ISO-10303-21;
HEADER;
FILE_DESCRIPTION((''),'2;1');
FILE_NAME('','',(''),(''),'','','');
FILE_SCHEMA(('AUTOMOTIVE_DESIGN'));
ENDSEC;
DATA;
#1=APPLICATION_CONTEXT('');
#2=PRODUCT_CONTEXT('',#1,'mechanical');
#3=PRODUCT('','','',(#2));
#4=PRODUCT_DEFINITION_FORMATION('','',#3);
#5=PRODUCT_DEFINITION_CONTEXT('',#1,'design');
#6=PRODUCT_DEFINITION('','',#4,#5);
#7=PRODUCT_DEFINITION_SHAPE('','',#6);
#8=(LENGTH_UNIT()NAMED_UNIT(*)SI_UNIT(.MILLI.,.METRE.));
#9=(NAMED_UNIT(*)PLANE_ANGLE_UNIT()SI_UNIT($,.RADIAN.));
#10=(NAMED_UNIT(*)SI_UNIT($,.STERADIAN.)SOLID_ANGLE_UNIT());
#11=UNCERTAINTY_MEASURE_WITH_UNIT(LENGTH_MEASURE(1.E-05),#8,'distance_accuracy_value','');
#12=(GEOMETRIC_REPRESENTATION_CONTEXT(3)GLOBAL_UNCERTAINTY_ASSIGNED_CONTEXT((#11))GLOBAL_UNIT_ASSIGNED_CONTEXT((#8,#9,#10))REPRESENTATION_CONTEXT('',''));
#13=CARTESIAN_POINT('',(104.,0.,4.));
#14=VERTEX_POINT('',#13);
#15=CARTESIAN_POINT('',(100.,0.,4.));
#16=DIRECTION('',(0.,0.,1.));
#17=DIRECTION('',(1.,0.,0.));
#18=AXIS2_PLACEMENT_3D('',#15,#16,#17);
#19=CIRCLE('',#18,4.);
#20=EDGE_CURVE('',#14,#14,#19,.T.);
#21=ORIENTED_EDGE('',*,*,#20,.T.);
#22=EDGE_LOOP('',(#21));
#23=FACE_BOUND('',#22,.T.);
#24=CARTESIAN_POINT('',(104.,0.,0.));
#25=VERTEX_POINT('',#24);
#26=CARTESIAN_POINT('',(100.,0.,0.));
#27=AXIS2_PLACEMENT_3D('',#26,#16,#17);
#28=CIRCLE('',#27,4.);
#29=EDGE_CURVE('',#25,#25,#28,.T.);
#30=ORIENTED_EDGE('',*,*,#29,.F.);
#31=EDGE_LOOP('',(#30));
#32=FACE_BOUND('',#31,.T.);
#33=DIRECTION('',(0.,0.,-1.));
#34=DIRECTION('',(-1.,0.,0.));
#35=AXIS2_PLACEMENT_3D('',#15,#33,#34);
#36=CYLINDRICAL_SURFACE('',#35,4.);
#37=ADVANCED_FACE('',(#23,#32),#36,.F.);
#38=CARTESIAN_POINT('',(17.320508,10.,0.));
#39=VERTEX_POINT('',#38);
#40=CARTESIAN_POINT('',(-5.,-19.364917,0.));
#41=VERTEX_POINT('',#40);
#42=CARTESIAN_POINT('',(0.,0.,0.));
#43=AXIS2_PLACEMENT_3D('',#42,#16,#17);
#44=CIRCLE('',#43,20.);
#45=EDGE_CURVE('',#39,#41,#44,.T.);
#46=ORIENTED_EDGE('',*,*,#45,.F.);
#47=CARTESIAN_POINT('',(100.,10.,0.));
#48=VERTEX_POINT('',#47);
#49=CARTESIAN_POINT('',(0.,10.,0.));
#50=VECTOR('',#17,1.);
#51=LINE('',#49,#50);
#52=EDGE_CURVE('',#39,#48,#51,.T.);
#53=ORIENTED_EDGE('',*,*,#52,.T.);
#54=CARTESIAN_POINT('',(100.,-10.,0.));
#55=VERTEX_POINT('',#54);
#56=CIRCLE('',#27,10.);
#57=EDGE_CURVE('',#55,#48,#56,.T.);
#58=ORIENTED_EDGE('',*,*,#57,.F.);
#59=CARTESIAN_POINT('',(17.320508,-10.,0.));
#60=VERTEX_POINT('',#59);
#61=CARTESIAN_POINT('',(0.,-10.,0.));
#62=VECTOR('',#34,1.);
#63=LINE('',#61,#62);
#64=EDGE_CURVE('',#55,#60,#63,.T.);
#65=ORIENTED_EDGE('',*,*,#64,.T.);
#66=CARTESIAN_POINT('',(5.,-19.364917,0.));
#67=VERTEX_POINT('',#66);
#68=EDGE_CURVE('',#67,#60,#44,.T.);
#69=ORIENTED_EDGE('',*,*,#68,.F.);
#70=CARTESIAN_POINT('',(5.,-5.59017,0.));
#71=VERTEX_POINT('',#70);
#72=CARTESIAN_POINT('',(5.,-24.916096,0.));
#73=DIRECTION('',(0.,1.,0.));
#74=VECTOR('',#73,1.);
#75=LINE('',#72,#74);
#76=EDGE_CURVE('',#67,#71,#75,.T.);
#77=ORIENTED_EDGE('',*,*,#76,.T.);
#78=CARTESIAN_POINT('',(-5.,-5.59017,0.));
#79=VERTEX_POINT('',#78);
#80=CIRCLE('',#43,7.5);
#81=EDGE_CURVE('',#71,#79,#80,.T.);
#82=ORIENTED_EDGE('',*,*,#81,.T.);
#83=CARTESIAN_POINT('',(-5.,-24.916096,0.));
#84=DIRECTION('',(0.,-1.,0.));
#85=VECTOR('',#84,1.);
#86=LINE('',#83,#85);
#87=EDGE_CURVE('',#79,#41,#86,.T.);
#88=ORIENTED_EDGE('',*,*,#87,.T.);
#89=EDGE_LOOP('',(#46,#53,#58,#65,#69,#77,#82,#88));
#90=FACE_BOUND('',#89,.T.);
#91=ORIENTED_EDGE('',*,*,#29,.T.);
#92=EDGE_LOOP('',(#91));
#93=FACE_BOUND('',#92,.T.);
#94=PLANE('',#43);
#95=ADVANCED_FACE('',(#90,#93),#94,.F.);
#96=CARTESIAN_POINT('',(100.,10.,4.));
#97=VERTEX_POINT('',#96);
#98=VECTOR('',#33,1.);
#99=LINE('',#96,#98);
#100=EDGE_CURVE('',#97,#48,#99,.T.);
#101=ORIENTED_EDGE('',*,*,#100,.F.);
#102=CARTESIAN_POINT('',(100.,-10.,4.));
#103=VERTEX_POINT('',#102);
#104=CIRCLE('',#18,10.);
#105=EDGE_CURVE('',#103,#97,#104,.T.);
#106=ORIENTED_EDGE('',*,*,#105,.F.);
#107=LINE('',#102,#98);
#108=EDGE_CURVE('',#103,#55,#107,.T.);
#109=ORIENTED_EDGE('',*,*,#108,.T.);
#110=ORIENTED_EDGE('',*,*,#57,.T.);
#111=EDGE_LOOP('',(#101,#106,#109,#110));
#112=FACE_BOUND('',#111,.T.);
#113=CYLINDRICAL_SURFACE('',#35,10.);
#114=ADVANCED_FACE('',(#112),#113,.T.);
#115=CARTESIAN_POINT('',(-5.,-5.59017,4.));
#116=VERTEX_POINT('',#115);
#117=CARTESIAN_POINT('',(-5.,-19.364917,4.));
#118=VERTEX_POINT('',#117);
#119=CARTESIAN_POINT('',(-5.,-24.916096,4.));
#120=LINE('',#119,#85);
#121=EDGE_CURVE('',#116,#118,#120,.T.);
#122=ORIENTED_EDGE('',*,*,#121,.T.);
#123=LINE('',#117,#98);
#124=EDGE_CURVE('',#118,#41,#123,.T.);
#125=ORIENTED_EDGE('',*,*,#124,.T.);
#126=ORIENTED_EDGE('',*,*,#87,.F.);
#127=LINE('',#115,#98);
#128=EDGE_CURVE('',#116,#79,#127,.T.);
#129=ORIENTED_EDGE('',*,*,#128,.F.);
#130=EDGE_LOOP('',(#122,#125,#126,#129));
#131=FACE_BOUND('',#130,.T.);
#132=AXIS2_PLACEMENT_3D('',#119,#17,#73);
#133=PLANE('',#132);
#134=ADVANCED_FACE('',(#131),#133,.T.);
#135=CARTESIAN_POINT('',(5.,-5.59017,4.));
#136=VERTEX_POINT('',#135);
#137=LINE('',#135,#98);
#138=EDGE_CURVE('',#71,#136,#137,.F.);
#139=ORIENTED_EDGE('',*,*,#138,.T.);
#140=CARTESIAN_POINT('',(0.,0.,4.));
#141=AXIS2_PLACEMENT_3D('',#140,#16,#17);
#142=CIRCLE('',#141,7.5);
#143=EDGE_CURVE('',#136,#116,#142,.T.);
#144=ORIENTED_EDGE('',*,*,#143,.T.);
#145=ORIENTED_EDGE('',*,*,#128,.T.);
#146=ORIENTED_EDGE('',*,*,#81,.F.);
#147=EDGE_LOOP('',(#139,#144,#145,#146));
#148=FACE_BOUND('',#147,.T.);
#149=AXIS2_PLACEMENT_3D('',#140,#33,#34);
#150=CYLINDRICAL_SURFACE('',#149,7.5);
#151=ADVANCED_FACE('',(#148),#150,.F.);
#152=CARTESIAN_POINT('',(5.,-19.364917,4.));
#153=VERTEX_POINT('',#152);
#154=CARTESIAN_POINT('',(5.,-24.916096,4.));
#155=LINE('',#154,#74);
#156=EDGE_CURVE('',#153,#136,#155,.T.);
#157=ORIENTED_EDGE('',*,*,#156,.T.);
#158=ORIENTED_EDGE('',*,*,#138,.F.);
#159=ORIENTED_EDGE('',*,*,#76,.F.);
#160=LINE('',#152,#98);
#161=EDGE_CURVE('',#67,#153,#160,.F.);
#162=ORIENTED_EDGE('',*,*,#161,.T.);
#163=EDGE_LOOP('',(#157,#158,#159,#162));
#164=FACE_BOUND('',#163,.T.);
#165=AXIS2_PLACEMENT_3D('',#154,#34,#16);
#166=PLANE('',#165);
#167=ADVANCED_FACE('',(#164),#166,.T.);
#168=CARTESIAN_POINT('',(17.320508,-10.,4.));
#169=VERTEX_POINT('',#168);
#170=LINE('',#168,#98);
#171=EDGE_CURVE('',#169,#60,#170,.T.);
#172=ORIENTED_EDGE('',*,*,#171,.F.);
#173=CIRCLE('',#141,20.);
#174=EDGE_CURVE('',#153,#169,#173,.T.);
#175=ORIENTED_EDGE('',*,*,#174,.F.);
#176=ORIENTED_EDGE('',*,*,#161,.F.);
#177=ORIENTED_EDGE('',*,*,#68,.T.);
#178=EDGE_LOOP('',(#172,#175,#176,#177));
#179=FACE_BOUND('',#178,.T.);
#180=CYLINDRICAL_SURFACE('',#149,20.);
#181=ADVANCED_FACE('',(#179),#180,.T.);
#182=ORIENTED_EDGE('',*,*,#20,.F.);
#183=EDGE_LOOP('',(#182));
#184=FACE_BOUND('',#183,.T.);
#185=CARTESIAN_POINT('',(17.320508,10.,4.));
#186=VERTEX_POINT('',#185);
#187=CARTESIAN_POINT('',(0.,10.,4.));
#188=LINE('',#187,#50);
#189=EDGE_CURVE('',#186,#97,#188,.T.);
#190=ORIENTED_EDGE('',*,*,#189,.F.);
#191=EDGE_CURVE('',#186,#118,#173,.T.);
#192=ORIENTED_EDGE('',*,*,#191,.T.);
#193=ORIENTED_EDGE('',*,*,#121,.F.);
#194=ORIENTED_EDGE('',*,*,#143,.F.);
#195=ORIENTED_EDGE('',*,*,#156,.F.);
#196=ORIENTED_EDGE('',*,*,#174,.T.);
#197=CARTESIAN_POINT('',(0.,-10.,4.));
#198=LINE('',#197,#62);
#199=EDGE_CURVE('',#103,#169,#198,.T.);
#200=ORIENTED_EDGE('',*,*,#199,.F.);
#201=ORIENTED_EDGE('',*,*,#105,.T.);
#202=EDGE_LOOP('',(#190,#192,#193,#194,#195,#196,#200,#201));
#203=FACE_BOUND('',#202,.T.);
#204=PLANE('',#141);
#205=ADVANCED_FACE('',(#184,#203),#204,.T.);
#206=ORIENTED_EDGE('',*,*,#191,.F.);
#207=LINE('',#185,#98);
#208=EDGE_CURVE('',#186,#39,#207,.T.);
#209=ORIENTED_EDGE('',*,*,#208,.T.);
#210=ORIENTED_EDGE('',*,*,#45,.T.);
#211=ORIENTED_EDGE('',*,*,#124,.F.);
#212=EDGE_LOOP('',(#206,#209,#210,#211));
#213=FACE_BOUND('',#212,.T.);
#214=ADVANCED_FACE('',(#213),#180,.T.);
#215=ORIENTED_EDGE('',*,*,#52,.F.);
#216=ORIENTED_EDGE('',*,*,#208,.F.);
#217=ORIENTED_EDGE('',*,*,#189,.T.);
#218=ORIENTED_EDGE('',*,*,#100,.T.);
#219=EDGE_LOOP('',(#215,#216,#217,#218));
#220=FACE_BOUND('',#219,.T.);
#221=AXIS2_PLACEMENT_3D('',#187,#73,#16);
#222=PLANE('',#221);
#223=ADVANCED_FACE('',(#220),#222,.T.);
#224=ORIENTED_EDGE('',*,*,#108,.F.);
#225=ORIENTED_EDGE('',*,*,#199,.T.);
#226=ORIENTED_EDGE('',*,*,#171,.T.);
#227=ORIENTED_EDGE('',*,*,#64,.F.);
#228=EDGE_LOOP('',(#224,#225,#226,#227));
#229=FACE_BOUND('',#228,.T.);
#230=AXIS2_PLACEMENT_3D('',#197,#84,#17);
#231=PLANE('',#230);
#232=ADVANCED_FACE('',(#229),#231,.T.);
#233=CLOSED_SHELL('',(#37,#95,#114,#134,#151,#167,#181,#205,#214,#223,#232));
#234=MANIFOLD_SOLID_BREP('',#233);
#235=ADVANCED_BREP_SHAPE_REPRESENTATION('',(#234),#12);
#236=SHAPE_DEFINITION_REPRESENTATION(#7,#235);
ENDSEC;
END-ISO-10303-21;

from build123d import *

# Parameters (mm, degrees)
BOSS_EXTRUDE1_DEPTH = 4
SKETCH2_R           = 4
CUT_EXTRUDE1_DEPTH  = 4
SKETCH3_R           = 7.5
CUT_EXTRUDE2_DEPTH  = 4
SKETCH4_W           = 10
SKETCH4_H           = 21.533858591
CUT_EXTRUDE3_DEPTH  = 4


with BuildPart() as part:
    # Sketch1 → Boss-Extrude1 (new body)
    with BuildSketch(Plane.XY):
        with BuildLine():
            ThreePointArc((110, 0), (107.071067812, 7.071067812), (100, 10))
            Line((100, 10), (100, 0))
            Line((100, 0), (100, -10))
            ThreePointArc((100, -10), (107.071067812, -7.071067812), (110, 0))
        make_face()
        with BuildLine():
            Line((100, 0), (100, 10))
            ThreePointArc((100, 10), (90, 0), (100, -10))
            Line((100, -10), (100, 0))
        make_face()
        with BuildLine():
            Line((100, 10), (17.320508076, 10))
            ThreePointArc((17.320508076, 10), (19.318516526, 5.176380902), (20, 0))
            ThreePointArc((20, 0), (19.318516526, -5.176380902), (17.320508076, -10))
            Line((17.320508076, -10), (100, -10))
            ThreePointArc((100, -10), (90, 0), (100, 10))
        make_face()
        with BuildLine():
            Line((0, -10), (0, 0))
            Line((0, 0), (0, 10))
            Line((0, 10), (17.320508076, 10))
            ThreePointArc((17.320508076, 10), (-20, 0), (17.320508076, -10))
            Line((17.320508076, -10), (0, -10))
        make_face()
        with BuildLine():
            Line((0, 10), (0, 0))
            Line((0, 0), (0, -10))
            Line((0, -10), (17.320508076, -10))
            ThreePointArc((17.320508076, -10), (19.318516526, -5.176380902), (20, 0))
            ThreePointArc((20, 0), (19.318516526, 5.176380902), (17.320508076, 10))
            Line((17.320508076, 10), (0, 10))
        make_face()
    extrude(amount=BOSS_EXTRUDE1_DEPTH)

    # Sketch2 → Cut-Extrude1 (cut)
    with BuildSketch(Plane.XY):
        with Locations((100, 0)):
            Circle(SKETCH2_R)
    extrude(amount=CUT_EXTRUDE1_DEPTH, mode=Mode.SUBTRACT)

    # Sketch3 → Cut-Extrude2 (cut)
    with BuildSketch(Plane.XY):
        Circle(SKETCH3_R)
    extrude(amount=CUT_EXTRUDE2_DEPTH, mode=Mode.SUBTRACT)

    # Sketch4 → Cut-Extrude3 (cut)
    with BuildSketch(Plane.XY):
        with Locations((0, -14.149166362)):
            Rectangle(SKETCH4_W, SKETCH4_H)
    extrude(amount=CUT_EXTRUDE3_DEPTH, mode=Mode.SUBTRACT)


solid = part.part
